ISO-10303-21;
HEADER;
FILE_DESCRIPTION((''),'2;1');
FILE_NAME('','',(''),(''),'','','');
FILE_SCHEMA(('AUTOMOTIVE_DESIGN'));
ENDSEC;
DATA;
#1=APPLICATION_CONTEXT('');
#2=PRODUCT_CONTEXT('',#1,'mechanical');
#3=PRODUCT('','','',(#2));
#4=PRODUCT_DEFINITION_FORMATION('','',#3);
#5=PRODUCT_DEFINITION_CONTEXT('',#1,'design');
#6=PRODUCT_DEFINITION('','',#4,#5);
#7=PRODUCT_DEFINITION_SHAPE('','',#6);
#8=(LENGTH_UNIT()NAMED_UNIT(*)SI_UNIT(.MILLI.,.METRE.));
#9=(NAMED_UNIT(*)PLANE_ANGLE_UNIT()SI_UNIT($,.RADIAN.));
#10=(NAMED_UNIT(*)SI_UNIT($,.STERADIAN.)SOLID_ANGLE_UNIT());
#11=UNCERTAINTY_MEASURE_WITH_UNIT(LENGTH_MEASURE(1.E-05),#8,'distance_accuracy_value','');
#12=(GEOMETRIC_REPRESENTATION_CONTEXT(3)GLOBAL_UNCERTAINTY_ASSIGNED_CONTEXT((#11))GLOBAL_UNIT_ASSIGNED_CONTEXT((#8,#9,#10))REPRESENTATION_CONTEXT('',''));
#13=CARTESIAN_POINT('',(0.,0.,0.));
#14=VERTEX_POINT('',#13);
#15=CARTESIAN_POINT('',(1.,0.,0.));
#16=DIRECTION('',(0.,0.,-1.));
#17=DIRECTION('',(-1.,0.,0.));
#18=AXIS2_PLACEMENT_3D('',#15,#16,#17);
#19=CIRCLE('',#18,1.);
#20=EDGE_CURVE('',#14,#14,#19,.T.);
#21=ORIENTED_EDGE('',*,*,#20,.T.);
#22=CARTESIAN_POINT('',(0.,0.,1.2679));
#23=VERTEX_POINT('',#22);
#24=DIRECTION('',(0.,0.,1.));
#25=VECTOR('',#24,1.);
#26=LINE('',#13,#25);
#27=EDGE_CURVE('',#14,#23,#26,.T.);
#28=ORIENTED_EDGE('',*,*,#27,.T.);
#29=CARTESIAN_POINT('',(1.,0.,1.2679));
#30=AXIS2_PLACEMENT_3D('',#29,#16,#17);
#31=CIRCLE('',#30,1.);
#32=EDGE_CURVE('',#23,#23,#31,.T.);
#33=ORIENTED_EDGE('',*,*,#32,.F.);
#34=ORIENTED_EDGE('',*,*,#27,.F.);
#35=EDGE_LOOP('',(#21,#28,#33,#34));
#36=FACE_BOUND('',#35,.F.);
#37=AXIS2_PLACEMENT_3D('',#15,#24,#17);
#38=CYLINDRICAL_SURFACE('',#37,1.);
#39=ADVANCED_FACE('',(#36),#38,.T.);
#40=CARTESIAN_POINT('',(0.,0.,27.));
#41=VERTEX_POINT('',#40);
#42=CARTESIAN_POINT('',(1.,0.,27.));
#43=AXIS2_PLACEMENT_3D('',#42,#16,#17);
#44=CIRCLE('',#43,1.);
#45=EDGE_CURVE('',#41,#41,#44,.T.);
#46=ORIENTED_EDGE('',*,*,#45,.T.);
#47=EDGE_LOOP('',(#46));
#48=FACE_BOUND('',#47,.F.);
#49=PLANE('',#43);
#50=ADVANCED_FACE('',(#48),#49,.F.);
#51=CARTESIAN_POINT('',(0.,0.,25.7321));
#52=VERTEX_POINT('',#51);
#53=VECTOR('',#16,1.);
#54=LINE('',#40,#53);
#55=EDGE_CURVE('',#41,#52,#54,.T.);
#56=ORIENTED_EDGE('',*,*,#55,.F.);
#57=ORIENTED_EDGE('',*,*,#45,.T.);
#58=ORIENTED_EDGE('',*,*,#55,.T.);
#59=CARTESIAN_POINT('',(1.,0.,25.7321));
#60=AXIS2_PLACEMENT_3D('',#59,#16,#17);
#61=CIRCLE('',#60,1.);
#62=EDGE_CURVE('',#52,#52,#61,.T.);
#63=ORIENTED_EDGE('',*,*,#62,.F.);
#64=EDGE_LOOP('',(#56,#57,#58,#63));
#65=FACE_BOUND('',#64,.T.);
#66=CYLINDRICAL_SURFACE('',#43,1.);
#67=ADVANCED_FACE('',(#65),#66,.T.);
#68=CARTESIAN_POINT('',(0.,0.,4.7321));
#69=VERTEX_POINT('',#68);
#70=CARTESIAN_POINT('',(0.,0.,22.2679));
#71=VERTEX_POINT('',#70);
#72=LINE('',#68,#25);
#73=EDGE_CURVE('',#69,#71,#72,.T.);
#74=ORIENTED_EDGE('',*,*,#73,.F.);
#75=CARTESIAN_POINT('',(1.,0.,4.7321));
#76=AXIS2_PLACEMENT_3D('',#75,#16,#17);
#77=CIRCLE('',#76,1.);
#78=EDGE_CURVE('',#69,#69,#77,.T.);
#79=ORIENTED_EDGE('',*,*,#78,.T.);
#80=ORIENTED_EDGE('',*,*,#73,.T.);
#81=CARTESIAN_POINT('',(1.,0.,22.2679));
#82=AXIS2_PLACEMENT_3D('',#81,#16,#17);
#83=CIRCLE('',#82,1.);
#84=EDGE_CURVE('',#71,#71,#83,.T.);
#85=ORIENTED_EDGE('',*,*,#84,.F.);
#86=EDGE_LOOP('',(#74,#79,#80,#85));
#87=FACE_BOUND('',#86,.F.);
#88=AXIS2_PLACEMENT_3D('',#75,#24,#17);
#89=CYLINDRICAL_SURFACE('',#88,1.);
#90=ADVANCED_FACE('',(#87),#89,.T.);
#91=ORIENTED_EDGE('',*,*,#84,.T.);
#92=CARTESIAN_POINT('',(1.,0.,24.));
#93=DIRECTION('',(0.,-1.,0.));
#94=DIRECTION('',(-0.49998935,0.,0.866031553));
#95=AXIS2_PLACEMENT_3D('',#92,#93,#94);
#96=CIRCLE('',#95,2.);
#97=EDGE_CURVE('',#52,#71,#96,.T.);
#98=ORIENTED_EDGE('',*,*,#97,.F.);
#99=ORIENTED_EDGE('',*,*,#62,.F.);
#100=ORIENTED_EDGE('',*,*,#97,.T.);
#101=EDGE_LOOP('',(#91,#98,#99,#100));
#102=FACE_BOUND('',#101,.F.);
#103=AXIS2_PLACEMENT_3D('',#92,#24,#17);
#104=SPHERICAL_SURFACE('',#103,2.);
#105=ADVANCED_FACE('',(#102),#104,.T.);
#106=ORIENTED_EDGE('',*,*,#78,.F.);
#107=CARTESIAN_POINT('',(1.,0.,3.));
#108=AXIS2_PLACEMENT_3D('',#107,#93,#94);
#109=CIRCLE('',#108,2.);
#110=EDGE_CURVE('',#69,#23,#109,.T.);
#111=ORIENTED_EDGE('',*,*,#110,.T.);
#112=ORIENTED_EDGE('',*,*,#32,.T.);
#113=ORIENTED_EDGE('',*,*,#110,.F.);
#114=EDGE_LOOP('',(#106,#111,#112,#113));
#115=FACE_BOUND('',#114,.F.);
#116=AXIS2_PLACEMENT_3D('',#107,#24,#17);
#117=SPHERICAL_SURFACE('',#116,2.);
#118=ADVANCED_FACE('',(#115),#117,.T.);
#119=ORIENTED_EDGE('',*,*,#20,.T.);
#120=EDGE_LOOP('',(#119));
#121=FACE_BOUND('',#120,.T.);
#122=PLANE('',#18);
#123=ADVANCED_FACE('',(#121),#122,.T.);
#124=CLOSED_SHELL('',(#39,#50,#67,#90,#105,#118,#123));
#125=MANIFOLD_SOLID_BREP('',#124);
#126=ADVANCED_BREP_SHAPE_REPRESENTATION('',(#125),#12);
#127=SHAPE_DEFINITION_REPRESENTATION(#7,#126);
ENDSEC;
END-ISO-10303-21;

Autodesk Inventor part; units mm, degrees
ref_plane "YZ Plane" through (0, 0, 0) normal (1, 0, 0) x (0, 1, 0)
ref_plane "XZ Plane" through (0, 0, 0) normal (0, 1, 0) x (-1, 0, 0)
ref_plane "XY Plane" through (0, 0, 0) normal (0, 0, 1) x (1, 0, 0)
sketch "Sketch1" plane through (0, 0, 0) normal (0, 1, 0) x (-1, 0, 0)
  line L0 (0, 0) -> (0, 27) construction
  line L1 (0, 0) -> (0, 1.2679)
  line L2 (0, 4.7321) -> (0, 22.2679)
  line L3 (0, 27) -> (0, 25.7321)
  line L4 (-1, 30.1625) -> (-1, -2.7373)
  line L5 (0, 27) -> (-1, 27)
  line L6 (0, 0) -> (-1, 0)
  line L7 (0, 26) -> (0, 22) construction
  line L8 (0, 24) -> (-1, 24) construction
  circle A0 centre (-1, 24) radius 2
  line L9 (0, 5) -> (0, 1) construction
  line L10 (0, 3) -> (-1, 3) construction
  circle A1 centre (-1, 3) radius 2
  dimension "d0" = 27
  dimension "d8" = 1
  dimension "d9" = 4
  dimension "d10" = 4
revolve "Revolution1" add sketch "Sketch1" angle 360 about axis through (1, 0, 30.1625) along (0, 0, -1) picked at (-0.5539, 3.4954) picked at (-0.772, 24.6265) contours L6 L4 A1 L1 | A1 L4 | A1 L4 A0 L2 | A0 L4 | L4 L5 L3 A0
properties part number "Delts Robot Arm Joint Rod"
